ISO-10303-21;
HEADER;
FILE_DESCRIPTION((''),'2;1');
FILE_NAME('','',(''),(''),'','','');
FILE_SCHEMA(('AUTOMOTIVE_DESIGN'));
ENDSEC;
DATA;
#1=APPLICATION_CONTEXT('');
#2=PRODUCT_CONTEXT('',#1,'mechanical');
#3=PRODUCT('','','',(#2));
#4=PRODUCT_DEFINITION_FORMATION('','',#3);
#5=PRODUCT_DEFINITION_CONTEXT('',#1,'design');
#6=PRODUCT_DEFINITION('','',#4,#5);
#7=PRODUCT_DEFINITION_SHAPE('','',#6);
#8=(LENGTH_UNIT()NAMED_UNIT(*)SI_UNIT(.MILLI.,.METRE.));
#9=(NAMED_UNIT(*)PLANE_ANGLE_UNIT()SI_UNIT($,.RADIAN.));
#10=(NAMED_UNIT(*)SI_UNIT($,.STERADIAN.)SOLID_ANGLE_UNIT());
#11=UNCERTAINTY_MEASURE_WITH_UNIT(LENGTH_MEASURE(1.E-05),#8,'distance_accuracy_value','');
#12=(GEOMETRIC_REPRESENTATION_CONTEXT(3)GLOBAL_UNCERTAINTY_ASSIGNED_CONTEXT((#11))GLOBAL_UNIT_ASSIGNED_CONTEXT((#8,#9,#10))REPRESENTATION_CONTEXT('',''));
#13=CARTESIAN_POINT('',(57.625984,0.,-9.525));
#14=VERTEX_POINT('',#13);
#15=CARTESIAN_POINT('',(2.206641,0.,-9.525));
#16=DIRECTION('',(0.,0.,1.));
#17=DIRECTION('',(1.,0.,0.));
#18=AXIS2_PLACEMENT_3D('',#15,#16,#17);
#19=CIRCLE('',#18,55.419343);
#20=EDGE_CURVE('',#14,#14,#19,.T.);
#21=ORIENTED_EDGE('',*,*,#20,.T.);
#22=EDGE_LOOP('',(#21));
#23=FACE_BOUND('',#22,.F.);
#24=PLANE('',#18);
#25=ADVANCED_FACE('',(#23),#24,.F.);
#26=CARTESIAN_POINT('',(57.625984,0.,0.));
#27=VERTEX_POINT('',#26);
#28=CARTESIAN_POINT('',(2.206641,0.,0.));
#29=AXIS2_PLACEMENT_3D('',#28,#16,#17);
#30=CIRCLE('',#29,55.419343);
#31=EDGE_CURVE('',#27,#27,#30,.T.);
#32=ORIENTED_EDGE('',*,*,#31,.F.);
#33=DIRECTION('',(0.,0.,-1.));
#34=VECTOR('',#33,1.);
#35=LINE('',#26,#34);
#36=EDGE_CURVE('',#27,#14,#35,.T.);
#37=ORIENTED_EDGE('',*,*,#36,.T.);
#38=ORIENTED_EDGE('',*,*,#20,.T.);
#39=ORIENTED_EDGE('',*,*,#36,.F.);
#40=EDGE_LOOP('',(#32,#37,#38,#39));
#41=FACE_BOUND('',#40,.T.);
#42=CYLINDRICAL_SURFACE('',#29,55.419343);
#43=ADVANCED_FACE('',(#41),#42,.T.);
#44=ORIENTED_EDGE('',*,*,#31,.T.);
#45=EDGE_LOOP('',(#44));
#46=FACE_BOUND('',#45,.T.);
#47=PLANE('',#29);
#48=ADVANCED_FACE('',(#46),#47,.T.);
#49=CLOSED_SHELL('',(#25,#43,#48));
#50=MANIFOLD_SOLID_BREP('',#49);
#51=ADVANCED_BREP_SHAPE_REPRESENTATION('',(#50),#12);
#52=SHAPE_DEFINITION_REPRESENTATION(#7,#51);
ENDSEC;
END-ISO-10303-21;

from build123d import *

# Parameters (mm, degrees)
F0_R     = 55.419343
F1_DEPTH = 9.525


with BuildPart() as f1:
    # F0 (on Top) → F1 (new body)
    with BuildSketch(Plane.XY):
        with Locations((2.206641, 0)):
            Circle(F0_R)
    extrude(amount=-F1_DEPTH)


solid = f1.part
